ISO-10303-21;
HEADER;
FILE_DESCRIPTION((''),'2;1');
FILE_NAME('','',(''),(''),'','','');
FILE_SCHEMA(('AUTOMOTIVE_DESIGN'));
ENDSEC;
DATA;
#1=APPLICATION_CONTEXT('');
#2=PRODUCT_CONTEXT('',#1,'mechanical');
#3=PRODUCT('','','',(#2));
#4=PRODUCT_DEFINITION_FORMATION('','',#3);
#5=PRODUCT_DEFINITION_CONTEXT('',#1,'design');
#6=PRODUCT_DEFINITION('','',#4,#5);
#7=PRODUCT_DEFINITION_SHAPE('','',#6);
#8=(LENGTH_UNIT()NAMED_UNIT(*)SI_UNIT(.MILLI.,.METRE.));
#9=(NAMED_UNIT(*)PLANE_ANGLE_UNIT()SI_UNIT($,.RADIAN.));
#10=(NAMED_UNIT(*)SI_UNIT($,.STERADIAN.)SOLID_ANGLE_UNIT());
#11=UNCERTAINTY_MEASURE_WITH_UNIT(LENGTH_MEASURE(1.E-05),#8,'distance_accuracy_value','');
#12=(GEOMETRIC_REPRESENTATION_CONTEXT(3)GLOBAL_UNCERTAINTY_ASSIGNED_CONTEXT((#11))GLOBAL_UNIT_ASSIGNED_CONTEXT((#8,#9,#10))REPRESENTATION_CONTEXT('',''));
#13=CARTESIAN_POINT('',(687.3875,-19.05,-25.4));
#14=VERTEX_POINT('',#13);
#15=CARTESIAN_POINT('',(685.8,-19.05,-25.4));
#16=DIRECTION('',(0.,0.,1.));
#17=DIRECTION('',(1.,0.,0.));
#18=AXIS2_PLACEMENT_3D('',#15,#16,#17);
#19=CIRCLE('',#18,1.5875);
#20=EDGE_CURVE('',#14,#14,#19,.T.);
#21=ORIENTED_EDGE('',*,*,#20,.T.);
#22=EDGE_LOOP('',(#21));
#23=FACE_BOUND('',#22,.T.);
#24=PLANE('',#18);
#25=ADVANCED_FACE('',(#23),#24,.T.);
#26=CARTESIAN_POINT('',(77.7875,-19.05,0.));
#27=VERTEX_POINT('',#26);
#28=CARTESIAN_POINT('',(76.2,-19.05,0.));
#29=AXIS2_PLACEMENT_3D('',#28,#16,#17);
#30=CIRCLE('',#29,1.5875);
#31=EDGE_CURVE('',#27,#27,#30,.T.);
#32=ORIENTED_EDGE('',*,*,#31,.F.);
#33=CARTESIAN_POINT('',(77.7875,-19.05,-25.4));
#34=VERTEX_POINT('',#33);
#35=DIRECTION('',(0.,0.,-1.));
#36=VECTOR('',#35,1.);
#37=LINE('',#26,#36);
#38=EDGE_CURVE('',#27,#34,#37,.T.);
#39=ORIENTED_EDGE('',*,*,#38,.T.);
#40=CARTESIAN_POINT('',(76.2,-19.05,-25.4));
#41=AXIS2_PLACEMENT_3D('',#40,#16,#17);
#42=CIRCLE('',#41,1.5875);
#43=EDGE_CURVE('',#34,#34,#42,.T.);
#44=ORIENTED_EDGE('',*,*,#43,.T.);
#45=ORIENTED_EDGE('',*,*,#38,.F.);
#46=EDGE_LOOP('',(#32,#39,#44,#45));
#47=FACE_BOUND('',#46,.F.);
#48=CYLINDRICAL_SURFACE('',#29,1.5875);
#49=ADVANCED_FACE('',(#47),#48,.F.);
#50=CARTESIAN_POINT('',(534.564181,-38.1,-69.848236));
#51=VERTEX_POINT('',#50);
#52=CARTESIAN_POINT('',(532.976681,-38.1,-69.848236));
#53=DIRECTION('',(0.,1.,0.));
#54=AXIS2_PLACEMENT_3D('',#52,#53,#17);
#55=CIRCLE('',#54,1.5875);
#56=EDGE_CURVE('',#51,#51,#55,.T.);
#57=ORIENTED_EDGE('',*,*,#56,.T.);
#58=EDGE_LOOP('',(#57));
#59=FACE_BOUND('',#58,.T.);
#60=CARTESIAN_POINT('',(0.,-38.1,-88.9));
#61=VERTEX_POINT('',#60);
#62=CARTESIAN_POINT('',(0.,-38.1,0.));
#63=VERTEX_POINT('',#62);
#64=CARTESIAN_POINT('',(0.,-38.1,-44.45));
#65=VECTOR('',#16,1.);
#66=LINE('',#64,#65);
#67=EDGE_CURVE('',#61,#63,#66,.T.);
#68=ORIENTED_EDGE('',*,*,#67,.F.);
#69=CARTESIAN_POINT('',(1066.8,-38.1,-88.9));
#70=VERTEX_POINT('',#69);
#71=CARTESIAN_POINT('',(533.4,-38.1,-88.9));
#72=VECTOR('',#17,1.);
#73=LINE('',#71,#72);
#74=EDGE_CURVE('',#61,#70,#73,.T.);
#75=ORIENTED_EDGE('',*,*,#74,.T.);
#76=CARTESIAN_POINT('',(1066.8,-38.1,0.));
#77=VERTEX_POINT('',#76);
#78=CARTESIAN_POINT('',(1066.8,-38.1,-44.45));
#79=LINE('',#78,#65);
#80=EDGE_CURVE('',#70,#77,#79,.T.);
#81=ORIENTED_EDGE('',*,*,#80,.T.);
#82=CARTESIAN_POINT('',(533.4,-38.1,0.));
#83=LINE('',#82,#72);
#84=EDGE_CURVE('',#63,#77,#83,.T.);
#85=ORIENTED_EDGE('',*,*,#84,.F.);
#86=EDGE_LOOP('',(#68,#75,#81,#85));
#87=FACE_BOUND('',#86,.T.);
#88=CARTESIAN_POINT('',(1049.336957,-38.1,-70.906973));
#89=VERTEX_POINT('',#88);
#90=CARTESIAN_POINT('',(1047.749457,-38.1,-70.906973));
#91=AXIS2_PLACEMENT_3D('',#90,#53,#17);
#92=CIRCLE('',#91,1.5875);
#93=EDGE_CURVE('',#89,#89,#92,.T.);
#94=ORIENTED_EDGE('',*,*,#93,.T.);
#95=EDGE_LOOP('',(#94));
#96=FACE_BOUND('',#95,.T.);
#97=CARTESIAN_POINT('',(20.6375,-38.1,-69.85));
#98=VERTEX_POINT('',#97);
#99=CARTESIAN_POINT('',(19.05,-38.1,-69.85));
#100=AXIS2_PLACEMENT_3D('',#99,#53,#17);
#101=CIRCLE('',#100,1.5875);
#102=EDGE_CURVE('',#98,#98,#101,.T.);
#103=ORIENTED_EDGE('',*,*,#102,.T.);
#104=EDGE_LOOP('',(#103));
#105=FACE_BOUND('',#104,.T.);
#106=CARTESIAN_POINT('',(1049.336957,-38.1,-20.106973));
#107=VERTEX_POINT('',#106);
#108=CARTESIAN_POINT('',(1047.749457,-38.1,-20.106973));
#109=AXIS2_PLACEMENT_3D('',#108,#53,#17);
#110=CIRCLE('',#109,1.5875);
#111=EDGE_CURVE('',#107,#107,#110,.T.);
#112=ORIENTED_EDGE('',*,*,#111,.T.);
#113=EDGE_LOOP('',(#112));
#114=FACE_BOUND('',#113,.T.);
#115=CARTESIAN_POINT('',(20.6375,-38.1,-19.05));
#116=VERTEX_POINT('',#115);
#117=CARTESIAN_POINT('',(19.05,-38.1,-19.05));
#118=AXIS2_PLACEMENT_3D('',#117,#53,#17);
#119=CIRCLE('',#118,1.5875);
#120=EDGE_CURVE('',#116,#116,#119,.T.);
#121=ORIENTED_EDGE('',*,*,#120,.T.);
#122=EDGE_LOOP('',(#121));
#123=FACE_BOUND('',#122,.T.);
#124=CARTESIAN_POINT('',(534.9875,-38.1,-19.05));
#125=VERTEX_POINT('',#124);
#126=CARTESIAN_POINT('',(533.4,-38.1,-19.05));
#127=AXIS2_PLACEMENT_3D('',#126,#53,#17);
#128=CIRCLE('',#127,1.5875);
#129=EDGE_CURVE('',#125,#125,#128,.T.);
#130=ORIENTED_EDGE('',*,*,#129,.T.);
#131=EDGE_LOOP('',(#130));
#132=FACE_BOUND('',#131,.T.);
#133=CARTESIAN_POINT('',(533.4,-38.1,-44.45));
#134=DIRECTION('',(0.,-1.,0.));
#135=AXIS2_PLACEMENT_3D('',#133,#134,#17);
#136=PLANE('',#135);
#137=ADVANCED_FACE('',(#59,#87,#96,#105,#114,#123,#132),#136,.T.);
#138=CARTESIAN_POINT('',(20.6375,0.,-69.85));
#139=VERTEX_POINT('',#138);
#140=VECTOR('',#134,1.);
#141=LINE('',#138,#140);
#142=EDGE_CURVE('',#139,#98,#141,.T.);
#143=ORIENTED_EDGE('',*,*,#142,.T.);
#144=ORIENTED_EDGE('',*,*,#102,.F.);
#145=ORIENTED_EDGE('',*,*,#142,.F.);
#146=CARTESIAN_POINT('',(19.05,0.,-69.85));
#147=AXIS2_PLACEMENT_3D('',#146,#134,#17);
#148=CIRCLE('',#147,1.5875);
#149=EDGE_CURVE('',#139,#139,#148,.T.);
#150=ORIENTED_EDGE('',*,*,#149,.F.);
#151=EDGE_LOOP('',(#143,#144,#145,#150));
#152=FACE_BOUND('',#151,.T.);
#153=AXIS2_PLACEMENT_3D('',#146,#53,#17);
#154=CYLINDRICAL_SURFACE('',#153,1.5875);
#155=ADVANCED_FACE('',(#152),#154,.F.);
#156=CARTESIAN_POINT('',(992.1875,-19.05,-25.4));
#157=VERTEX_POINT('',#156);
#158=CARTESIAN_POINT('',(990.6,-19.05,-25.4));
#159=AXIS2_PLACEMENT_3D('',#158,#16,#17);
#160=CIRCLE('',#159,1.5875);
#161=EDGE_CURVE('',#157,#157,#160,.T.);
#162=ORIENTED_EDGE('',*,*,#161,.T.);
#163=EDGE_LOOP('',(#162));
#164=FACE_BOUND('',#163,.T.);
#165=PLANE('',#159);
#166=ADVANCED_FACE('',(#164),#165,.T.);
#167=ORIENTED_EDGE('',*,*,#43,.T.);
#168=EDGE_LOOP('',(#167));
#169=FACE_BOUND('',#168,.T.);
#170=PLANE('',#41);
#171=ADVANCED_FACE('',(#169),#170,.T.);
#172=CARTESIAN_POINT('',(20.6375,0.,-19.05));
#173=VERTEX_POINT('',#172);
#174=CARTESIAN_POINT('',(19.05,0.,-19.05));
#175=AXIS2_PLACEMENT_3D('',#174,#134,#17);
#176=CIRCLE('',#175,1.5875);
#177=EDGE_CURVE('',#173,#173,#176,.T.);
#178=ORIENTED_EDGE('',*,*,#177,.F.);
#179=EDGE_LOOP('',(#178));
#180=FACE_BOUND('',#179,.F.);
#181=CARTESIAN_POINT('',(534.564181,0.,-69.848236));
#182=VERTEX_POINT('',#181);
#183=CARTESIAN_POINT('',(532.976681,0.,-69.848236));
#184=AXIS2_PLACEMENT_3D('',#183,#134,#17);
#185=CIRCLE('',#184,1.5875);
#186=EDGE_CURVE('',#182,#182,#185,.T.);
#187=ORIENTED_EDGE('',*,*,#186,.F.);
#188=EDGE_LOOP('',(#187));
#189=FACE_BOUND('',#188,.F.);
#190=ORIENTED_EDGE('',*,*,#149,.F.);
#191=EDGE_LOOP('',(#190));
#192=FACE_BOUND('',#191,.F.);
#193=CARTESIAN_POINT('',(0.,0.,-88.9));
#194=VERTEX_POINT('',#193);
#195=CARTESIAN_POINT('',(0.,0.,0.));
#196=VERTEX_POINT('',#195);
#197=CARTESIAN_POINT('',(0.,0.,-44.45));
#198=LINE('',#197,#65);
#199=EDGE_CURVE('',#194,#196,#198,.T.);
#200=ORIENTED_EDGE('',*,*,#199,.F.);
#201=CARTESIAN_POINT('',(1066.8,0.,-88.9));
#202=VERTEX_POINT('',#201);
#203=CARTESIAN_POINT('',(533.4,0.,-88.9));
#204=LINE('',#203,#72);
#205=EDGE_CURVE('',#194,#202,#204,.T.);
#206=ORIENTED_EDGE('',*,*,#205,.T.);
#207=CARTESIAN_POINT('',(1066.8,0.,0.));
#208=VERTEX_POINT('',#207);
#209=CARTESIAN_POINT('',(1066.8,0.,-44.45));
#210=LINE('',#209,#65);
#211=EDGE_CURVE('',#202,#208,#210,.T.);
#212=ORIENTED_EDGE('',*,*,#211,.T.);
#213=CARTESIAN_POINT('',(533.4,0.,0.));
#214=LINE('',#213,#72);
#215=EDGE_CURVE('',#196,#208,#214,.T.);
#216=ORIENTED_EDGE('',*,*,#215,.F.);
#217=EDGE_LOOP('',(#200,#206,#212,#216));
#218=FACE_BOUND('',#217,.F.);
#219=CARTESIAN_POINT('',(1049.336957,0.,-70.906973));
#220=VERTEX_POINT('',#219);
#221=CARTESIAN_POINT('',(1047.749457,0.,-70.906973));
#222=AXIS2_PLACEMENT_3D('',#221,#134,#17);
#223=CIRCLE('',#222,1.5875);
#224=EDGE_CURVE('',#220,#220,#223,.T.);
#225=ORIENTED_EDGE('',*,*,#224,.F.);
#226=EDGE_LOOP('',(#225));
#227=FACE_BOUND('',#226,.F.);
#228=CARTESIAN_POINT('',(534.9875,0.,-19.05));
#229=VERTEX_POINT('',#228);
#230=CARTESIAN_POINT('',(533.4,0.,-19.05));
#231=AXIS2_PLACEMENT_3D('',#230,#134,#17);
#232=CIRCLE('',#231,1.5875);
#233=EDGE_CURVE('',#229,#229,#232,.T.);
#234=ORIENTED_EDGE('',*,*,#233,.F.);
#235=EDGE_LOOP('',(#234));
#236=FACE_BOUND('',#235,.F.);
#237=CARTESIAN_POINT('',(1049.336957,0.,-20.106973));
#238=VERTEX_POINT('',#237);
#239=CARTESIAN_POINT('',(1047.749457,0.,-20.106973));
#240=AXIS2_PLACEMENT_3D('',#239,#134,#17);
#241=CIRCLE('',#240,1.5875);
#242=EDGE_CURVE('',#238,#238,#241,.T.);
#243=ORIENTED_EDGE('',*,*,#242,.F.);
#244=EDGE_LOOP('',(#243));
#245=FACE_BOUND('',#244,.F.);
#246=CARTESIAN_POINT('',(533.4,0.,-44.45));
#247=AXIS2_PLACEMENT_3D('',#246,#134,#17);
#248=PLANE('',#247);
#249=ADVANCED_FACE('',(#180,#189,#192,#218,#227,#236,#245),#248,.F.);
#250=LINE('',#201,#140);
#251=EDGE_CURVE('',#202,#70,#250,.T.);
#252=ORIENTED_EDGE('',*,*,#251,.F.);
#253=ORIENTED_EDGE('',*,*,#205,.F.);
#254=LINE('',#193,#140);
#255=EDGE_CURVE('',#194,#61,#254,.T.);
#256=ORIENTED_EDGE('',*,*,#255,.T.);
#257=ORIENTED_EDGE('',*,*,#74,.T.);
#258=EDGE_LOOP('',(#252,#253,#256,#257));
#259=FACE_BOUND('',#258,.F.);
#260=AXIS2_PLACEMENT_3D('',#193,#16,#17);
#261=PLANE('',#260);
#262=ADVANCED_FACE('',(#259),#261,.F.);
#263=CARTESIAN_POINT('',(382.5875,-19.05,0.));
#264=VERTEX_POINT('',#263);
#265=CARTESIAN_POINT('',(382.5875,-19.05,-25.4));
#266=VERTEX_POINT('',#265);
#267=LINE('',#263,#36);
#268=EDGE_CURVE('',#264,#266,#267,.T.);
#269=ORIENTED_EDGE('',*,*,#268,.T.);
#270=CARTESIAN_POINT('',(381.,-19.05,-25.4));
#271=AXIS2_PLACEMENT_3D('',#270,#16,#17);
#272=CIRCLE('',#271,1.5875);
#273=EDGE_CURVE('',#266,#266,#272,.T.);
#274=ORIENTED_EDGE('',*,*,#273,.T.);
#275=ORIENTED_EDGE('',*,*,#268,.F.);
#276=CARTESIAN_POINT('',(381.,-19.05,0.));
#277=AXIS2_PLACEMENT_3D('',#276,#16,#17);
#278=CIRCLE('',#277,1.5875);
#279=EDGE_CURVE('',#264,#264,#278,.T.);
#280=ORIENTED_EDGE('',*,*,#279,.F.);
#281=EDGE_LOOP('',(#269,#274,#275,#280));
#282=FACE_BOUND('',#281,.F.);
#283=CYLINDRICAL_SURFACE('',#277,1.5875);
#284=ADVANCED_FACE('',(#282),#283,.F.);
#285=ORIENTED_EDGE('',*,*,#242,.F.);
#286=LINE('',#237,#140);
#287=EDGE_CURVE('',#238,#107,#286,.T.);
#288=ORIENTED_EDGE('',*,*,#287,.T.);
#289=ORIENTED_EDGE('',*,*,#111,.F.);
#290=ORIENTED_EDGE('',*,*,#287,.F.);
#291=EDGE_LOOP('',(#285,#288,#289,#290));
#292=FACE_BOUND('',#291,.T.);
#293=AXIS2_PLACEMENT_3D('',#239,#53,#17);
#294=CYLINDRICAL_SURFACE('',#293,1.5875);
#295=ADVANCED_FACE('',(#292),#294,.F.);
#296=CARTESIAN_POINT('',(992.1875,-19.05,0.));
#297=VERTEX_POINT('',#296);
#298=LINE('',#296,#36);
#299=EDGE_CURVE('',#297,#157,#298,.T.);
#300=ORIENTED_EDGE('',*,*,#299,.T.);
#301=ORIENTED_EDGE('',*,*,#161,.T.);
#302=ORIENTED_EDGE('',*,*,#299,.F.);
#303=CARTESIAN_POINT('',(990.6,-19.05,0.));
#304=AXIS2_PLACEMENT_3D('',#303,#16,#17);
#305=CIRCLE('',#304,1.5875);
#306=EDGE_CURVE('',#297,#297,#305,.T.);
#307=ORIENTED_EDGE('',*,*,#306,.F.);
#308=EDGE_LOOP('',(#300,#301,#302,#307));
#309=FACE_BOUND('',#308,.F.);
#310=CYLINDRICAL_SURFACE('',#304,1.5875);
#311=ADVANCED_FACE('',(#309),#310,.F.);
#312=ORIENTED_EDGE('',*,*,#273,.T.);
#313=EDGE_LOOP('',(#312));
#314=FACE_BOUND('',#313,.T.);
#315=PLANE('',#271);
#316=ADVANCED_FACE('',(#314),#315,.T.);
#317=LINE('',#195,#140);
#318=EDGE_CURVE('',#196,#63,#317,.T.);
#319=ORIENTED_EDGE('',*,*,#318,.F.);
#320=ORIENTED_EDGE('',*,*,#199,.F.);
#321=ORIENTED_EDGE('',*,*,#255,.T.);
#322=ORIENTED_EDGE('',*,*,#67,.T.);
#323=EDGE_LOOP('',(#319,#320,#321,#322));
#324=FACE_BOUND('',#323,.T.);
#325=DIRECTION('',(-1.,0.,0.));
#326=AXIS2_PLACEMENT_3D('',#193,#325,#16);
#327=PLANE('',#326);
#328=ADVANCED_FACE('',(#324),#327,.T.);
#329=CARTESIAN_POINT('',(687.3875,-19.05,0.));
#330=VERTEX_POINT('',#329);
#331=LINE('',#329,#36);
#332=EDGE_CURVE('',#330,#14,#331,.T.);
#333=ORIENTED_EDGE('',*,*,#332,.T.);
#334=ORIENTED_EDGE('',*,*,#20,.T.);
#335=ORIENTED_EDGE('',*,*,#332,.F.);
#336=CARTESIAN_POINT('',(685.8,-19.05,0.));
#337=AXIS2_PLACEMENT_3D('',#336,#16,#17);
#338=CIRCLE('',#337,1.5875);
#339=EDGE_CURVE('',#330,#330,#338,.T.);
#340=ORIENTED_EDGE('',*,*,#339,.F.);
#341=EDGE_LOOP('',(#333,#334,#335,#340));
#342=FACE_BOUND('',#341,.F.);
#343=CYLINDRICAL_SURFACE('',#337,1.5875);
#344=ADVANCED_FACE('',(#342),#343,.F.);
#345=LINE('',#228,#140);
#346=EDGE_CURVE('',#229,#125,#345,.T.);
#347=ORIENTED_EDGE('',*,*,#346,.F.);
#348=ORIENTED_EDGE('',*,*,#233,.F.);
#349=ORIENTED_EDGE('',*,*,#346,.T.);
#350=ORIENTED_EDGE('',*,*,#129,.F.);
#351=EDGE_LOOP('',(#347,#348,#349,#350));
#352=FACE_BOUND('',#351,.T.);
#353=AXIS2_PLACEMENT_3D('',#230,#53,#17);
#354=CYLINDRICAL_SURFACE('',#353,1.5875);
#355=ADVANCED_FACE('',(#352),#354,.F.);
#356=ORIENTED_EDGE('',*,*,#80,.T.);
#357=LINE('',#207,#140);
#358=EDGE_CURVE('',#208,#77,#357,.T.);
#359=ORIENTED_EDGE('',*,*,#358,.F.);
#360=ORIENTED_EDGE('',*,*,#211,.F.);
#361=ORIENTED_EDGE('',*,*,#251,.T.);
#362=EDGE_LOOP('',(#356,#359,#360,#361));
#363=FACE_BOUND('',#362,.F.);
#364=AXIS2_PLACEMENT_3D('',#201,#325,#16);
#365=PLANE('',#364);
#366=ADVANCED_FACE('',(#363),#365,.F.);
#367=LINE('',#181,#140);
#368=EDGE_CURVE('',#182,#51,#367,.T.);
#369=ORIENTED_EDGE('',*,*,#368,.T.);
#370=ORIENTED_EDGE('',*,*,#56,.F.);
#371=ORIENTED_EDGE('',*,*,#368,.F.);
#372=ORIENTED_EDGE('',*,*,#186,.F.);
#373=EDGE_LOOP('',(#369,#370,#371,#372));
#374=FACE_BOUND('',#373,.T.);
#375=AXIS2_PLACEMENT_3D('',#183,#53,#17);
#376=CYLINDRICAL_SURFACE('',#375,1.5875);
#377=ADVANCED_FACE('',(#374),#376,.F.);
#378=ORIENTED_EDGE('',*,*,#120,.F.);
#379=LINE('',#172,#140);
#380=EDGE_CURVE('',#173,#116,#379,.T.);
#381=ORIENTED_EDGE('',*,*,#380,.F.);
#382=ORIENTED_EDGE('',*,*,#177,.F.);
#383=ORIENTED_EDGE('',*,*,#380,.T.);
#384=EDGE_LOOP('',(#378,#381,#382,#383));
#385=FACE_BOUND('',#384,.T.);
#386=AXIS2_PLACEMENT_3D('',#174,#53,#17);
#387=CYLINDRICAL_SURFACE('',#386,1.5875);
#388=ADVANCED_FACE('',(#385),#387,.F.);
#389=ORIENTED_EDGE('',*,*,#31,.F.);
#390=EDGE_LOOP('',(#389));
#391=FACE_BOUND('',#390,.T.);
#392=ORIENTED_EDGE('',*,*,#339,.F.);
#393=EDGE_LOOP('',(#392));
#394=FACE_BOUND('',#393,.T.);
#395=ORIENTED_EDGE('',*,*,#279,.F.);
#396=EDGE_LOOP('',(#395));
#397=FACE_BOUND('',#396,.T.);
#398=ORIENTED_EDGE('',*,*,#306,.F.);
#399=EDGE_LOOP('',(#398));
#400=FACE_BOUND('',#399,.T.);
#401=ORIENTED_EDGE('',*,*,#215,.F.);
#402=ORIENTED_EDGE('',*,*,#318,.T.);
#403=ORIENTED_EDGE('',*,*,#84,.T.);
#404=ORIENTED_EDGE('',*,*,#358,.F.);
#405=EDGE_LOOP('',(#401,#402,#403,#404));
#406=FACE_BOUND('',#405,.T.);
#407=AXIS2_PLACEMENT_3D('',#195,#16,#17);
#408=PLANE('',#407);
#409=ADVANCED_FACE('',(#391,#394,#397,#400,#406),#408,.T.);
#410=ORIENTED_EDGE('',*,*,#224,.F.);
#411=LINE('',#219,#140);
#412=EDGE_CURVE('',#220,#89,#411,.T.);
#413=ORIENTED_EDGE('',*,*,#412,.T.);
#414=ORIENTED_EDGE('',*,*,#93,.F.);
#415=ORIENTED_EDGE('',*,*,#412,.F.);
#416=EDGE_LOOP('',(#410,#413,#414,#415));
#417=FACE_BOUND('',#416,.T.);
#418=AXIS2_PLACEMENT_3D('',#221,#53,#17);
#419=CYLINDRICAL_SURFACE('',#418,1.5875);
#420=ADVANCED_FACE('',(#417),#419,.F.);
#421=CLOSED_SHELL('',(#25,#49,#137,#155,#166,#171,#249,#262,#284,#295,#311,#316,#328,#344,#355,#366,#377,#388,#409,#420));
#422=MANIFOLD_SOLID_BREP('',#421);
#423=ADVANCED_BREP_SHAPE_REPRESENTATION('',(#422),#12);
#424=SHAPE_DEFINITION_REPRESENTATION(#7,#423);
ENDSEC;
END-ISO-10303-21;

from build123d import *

# Parameters (mm, degrees)
F0_W     = 1066.8
F0_H     = 88.9
F1_DEPTH = 38.1
F2_R     = 1.5875
F3_DEPTH = 25.4
F4_R     = 1.5875
F5_DEPTH = 38.101
F6_R     = 1.5875
F7_DEPTH = 38.101


with BuildPart() as f1:
    # F0 (on Front) → F1 (new body)
    with BuildSketch(Plane.XZ):
        with Locations((533.4, -44.45)):
            Rectangle(F0_W, F0_H)
    extrude(amount=F1_DEPTH)

    # F2 (on Top) → F3 (cut)
    with BuildSketch(Plane.XY):
        with Locations((76.2, -19.05)):
            Circle(F2_R)
        with Locations((381, -19.05)):
            Circle(F2_R)
        with Locations((685.8, -19.05)):
            Circle(F2_R)
        with Locations((990.6, -19.05)):
            Circle(F2_R)
    extrude(amount=-F3_DEPTH, mode=Mode.SUBTRACT)

    # F4 (on Front) → F5 (cut, through all)
    with BuildSketch(Plane.XZ):
        with Locations((19.05, -19.05)):
            Circle(F4_R)
        with Locations((19.05, -69.85)):
            Circle(F4_R)
        with Locations((1047.749457, -20.106973)):
            Circle(F4_R)
        with Locations((1047.749457, -70.906973)):
            Circle(F4_R)
    extrude(amount=F5_DEPTH, mode=Mode.SUBTRACT)

    # F6 (on Front) → F7 (cut, through all)
    with BuildSketch(Plane.XZ):
        with Locations((533.4, -19.05)):
            Circle(F6_R)
        with Locations((532.976681, -69.848236)):
            Circle(F6_R)
    extrude(amount=F7_DEPTH, mode=Mode.SUBTRACT)


solid = f1.part
